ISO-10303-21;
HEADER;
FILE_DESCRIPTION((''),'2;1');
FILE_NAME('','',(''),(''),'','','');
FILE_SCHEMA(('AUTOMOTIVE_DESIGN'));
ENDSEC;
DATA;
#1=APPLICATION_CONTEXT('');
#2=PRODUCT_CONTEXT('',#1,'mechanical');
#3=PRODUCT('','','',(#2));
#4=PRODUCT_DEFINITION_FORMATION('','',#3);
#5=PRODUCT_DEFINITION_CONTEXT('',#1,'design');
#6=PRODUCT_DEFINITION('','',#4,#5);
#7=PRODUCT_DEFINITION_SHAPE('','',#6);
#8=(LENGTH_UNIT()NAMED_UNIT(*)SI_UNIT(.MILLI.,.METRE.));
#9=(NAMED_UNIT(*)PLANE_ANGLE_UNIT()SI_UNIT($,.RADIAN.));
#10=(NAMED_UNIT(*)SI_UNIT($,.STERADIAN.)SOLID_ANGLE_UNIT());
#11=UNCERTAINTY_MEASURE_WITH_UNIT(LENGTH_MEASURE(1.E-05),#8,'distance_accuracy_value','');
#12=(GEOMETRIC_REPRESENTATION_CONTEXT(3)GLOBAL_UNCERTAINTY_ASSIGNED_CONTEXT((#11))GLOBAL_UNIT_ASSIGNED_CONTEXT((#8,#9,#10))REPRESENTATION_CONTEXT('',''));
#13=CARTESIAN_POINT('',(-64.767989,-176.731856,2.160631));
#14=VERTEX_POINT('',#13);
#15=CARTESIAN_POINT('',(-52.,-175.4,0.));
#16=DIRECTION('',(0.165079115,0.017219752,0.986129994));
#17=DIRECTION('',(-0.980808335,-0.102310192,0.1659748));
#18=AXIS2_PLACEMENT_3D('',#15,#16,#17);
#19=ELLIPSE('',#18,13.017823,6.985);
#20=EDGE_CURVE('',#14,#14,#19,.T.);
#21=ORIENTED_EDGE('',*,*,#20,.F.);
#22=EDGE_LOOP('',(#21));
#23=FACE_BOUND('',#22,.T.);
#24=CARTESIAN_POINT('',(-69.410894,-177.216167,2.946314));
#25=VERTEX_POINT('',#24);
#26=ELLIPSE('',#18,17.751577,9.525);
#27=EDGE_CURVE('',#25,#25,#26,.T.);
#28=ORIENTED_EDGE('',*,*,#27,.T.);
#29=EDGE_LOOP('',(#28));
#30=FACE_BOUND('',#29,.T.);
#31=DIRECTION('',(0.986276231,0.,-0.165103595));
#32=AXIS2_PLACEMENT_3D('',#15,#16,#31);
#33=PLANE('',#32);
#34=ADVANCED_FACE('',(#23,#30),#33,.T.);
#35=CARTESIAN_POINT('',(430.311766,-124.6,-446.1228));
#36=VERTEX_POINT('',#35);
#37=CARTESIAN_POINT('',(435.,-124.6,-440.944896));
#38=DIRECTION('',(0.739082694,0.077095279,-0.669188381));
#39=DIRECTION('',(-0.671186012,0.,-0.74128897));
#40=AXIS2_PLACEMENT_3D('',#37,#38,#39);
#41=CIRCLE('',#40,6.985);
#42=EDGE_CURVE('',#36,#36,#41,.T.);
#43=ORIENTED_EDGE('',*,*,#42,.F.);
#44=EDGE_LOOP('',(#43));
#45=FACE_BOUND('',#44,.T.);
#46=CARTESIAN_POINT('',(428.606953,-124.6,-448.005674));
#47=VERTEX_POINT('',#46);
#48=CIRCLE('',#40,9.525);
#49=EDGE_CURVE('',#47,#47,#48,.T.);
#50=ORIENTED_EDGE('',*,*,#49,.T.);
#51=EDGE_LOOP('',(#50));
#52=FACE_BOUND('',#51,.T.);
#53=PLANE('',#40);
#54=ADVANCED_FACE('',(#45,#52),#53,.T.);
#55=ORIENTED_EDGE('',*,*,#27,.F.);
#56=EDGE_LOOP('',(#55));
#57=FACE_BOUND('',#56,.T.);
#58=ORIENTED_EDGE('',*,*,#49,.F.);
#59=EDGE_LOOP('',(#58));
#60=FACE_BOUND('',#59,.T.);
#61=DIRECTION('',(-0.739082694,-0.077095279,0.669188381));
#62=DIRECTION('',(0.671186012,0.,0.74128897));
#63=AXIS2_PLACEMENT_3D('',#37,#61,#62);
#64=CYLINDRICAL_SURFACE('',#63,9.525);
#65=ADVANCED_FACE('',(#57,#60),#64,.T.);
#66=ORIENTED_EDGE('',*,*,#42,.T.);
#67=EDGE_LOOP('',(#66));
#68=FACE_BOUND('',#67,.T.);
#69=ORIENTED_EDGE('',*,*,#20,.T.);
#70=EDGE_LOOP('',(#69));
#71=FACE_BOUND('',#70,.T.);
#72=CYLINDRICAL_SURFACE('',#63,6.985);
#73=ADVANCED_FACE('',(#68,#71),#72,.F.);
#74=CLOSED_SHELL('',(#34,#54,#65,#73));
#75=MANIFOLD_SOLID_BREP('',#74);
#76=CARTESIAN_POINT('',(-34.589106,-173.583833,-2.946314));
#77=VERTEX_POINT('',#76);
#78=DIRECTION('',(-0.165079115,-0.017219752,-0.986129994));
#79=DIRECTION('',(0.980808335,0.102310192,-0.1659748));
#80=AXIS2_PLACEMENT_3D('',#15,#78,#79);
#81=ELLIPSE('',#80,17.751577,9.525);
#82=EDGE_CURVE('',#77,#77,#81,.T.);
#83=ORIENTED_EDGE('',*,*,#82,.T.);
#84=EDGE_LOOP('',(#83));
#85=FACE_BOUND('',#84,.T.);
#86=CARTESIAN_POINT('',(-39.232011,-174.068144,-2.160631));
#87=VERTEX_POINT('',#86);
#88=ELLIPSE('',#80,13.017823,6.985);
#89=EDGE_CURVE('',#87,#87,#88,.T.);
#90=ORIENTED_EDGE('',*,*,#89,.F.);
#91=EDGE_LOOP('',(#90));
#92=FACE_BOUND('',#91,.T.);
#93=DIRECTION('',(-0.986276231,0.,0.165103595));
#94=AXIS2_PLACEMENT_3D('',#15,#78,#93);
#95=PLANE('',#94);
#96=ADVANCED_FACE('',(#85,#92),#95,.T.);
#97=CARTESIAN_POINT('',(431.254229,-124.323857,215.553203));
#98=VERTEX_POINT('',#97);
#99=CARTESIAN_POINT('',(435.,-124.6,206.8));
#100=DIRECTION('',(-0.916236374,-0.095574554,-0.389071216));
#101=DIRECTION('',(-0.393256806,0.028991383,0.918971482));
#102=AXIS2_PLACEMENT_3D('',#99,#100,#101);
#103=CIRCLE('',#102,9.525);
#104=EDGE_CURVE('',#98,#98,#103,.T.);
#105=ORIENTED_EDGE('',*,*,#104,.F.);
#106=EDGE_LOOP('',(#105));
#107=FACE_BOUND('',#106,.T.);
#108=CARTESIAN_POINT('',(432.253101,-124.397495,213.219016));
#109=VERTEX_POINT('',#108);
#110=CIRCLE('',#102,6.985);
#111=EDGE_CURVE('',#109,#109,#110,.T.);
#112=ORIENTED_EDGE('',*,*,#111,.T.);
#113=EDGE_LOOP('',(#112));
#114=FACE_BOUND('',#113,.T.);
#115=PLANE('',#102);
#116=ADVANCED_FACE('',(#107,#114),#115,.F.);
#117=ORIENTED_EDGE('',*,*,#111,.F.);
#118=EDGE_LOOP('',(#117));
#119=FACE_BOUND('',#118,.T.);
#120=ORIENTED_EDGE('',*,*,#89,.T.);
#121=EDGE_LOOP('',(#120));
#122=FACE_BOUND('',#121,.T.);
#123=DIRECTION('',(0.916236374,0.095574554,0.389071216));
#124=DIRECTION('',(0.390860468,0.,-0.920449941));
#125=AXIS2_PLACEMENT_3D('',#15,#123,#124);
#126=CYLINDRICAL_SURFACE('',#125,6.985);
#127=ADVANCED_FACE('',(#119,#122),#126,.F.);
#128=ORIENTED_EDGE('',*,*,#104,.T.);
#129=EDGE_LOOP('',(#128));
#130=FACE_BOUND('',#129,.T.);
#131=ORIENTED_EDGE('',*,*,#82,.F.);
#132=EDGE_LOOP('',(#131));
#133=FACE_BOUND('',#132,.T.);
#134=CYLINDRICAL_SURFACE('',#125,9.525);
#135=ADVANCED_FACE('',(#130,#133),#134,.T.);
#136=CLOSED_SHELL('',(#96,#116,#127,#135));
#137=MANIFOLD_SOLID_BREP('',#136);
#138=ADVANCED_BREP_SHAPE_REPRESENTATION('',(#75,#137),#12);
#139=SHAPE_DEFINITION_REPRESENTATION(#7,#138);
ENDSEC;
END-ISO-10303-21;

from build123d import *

# Parameters (mm, degrees)
SKETCH1_ON_SEGMENT_1_R                         = 9.525
SKETCH1_ON_SEGMENT_1_R_2                       = 6.985
PIPE_STANDARD_S40_PIPE_1_SCH_40_1_DEPTH        = 553.706791842
SKETCH1_R                                      = 9.525
SKETCH1_R_2                                    = 6.985
PIPE_STANDARD_S40_PIPE_1_SCH_40_1_2_DEPTH      = 658.924913325
PIPE_STANDARD_S40_PIPE_1_SCH_40_1_2_DEPTH_BACK = 22.184562768


with BuildPart() as part:
    # Sketch1 on segment 1 (carried to segment 1) → Pipe standard s40 PIPE 1 SCH 40(1) (new body)
    with BuildSketch(Plane(origin=(435, -124.6, 206.8), x_dir=(-0.374119399, -0.143337301, 0.916236374), z_dir=(-0.916236374, -0.095574554, -0.389071216))):
        Circle(SKETCH1_ON_SEGMENT_1_R)
        Circle(SKETCH1_ON_SEGMENT_1_R_2, mode=Mode.SUBTRACT)
    extrude(amount=PIPE_STANDARD_S40_PIPE_1_SCH_40_1_DEPTH)

    # Pipe standard s40 PIPE 1 SCH 40(1) mitre
    split(bisect_by=Plane(origin=(-52, -175.4, 0), x_dir=(0, -0.999847575, 0.017459287), z_dir=(0.165079115, 0.017219752, 0.986129994)), keep=Keep.TOP)


with BuildPart() as body_2:
    # Sketch1 → Pipe standard s40 PIPE 1 SCH 40_1 2 (new, two sides)
    with BuildSketch(Plane(origin=(-52, -175.4, 0), x_dir=(-0.651221412426134, -0.17224239784648918, -0.7390826938724806), z_dir=(0.7390826938724807, 0.0770952789501411, -0.6691883812364028))) as pipe_standard_s40_pipe_1_sch_40_1_2_sk:
        Circle(SKETCH1_R)
        Circle(SKETCH1_R_2, mode=Mode.SUBTRACT)
    extrude(amount=PIPE_STANDARD_S40_PIPE_1_SCH_40_1_2_DEPTH)
    extrude(pipe_standard_s40_pipe_1_sch_40_1_2_sk.sketch, amount=-PIPE_STANDARD_S40_PIPE_1_SCH_40_1_2_DEPTH_BACK)

    # Pipe standard s40 PIPE 1 SCH 40_1 2 mitr
    split(bisect_by=Plane(origin=(-52, -175.4, 0), x_dir=(0, 0.999847575, -0.017459287), z_dir=(-0.165079115, -0.017219752, -0.986129994)), keep=Keep.TOP)


solid = Compound([part.part, body_2.part])
